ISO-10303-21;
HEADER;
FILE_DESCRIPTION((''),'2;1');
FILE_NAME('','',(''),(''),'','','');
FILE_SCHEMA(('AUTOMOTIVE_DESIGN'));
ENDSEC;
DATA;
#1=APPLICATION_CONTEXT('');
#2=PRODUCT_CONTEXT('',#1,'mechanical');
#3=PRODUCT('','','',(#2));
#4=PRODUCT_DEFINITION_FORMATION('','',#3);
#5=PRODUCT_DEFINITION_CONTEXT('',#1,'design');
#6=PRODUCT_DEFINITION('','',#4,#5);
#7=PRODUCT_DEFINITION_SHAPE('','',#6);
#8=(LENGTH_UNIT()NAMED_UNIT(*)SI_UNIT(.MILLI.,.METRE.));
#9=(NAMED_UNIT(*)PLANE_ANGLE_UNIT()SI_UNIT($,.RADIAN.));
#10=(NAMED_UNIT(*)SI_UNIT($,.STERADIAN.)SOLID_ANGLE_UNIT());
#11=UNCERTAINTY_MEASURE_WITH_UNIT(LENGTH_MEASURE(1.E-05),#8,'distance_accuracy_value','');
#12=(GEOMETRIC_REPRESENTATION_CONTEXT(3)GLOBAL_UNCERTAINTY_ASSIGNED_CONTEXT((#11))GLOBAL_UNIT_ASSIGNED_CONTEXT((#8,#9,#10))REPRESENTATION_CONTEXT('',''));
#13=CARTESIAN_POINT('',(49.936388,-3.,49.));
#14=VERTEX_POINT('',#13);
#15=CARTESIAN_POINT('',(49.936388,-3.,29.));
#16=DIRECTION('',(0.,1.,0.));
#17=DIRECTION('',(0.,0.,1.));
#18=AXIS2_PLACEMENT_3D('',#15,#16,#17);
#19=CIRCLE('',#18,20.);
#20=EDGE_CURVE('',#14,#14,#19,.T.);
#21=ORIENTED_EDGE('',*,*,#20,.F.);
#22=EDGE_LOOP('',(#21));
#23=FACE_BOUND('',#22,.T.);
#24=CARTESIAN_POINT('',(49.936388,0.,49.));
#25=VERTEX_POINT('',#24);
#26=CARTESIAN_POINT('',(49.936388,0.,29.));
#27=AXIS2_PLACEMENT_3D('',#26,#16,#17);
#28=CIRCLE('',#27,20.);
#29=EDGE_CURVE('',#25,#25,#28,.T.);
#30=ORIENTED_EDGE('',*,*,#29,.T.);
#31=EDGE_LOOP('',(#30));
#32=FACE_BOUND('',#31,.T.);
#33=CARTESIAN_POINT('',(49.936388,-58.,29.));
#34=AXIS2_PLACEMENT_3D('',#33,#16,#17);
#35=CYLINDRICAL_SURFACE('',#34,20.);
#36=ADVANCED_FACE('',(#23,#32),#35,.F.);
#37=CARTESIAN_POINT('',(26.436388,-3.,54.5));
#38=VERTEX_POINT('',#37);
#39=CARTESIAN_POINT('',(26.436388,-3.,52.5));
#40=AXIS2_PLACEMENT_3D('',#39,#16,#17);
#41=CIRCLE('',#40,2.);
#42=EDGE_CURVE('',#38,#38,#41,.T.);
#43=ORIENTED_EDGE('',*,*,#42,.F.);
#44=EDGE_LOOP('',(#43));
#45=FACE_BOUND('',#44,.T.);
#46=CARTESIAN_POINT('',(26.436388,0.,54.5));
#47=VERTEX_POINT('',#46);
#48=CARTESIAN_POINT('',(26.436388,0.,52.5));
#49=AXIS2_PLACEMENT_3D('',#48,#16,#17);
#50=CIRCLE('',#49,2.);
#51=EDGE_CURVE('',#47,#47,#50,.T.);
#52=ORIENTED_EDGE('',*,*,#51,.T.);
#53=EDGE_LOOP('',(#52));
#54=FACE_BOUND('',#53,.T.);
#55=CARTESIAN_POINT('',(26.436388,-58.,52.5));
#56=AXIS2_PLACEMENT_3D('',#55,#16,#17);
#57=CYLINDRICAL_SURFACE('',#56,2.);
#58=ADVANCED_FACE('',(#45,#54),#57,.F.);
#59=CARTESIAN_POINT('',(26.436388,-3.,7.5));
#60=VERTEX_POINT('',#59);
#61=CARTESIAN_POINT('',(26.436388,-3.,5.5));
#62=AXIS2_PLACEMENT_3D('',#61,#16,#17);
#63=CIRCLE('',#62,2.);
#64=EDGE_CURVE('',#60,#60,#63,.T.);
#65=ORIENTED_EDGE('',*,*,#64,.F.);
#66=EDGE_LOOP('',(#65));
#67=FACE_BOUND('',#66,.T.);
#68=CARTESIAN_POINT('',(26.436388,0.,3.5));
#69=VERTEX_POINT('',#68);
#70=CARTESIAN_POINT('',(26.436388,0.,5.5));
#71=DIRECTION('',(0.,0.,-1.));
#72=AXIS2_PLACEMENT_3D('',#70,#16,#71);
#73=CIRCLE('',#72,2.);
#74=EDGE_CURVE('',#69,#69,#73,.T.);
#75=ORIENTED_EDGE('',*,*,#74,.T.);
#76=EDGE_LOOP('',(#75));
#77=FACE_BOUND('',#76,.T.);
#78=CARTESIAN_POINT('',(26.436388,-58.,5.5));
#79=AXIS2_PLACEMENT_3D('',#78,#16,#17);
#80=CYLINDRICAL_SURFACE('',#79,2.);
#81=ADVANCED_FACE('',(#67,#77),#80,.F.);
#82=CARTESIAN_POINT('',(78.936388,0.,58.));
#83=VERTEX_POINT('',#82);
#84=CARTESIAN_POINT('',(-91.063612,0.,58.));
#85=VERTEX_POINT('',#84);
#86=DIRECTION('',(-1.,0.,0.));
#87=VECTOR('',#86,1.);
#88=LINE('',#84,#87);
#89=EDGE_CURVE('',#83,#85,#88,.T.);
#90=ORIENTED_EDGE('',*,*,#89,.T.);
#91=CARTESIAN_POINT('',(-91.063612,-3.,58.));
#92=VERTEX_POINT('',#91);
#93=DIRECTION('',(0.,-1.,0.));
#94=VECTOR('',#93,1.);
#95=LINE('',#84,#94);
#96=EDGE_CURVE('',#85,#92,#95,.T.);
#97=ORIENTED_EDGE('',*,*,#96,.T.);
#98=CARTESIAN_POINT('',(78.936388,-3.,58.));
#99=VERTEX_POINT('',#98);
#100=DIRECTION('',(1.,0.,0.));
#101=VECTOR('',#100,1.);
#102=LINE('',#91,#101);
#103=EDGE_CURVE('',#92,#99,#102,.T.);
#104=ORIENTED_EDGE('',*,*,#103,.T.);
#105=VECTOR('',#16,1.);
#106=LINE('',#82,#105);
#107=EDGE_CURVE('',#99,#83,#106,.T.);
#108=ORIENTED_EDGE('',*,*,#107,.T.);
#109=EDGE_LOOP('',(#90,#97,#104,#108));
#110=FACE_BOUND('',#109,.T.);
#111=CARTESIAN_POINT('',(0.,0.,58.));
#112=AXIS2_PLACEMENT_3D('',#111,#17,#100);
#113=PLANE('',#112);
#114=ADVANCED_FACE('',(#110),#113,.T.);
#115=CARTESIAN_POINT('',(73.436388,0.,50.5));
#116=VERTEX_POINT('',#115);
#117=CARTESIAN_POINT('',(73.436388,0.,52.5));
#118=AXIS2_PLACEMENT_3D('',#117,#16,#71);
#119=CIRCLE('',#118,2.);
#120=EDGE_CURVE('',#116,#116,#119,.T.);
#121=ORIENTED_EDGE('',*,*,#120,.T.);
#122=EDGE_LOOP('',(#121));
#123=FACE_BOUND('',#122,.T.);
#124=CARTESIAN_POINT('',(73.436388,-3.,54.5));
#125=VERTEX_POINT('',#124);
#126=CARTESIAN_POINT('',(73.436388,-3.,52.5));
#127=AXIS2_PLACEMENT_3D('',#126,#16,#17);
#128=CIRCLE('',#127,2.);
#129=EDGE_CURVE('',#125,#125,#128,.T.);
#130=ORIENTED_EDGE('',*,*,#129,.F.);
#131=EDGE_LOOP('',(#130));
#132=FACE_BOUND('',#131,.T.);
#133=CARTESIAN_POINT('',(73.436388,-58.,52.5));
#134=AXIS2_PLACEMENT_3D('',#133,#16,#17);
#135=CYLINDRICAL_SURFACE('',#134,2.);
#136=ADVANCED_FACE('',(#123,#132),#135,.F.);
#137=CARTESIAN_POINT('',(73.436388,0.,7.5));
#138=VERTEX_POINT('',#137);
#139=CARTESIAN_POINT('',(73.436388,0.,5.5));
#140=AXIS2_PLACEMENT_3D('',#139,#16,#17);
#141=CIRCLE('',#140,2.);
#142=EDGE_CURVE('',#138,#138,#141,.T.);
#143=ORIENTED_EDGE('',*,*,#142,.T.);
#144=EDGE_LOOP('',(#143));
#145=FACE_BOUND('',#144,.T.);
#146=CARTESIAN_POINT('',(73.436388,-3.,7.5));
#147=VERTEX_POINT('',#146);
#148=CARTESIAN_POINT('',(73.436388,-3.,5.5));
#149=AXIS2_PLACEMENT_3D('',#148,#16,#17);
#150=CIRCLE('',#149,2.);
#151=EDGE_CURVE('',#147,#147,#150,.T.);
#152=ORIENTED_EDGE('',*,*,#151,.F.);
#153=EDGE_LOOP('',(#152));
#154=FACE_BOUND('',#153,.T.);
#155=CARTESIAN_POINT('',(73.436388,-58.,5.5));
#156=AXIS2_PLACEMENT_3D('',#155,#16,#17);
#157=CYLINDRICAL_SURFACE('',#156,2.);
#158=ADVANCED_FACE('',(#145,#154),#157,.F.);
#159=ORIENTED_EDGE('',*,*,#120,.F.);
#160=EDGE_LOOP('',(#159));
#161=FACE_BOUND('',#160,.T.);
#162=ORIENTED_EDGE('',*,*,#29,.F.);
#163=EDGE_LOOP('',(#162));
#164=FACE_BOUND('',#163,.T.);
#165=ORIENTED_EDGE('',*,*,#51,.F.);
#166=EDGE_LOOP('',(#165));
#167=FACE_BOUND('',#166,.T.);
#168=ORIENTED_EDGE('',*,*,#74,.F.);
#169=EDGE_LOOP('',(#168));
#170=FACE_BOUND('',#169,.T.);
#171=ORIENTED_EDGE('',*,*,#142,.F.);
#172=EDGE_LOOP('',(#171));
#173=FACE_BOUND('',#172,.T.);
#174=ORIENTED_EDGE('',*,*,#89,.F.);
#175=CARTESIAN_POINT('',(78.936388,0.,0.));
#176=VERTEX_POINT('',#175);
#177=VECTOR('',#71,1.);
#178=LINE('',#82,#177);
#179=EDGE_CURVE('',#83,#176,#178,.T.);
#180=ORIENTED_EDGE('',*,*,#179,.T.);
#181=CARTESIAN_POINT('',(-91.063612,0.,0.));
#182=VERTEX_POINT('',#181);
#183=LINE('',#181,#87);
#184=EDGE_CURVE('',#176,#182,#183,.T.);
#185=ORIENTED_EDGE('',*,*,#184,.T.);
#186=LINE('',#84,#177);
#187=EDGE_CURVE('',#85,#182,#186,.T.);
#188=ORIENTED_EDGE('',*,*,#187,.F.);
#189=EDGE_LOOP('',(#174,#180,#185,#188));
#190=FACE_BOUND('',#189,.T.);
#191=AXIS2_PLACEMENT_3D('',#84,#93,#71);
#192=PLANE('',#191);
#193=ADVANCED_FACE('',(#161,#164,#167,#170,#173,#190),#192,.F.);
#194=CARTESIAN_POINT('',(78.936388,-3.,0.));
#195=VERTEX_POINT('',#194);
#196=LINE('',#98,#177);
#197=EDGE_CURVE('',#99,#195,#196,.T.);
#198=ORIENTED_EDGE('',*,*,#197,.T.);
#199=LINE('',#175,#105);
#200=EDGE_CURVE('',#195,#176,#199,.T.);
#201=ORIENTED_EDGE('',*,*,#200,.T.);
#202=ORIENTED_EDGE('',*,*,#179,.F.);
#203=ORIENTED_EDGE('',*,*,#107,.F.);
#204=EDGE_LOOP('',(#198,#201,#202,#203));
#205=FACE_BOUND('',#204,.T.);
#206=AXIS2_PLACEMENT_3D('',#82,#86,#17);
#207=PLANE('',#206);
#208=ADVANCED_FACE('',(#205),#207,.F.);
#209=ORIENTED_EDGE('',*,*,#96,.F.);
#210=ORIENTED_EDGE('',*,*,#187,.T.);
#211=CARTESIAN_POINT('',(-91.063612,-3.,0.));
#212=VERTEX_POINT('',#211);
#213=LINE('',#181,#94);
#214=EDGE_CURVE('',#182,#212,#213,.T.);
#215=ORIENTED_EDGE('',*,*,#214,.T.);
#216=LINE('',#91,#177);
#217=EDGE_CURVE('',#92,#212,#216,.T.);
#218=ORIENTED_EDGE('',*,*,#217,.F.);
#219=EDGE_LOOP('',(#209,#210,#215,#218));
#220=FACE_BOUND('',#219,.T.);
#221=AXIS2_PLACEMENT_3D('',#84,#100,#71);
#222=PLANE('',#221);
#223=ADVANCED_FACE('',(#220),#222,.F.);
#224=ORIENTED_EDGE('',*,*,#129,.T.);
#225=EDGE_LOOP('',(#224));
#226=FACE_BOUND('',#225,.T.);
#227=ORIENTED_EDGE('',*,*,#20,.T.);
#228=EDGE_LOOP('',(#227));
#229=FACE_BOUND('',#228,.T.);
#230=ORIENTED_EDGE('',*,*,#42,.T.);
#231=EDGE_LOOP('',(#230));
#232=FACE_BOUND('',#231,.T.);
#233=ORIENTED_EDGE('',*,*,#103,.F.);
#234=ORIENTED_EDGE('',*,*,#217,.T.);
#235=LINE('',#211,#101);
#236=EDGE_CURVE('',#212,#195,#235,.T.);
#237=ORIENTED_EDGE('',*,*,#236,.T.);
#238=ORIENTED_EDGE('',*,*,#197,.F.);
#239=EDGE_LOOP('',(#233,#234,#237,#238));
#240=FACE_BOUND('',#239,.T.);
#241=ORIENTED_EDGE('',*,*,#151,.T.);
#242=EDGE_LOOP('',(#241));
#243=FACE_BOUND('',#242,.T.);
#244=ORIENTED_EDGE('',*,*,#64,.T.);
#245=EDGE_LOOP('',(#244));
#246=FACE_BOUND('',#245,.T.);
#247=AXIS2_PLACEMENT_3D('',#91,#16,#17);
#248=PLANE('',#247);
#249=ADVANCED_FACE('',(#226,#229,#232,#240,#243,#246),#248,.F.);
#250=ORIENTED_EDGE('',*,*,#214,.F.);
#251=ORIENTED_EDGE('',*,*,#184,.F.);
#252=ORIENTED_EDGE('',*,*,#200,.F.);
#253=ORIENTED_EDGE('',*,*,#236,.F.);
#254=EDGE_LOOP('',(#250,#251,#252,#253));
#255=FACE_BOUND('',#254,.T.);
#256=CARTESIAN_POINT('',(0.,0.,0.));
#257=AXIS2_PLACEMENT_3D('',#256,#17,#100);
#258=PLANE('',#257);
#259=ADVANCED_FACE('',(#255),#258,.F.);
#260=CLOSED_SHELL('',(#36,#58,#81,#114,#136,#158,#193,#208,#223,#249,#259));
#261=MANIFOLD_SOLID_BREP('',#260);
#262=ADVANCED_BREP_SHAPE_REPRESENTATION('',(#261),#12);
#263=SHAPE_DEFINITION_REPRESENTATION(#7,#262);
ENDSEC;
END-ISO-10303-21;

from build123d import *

# Parameters (mm, degrees)
SKETCH1_W           = 170
SKETCH1_H           = 3
BOSS_EXTRUDE1_DEPTH = 58
SKETCH2_R           = 2
SKETCH2_R_2         = 20
CUT_EXTRUDE1_DEPTH  = 58


with BuildPart() as part:
    # Sketch1 → Boss-Extrude1 (new body)
    with BuildSketch(Plane.XY):
        with Locations((-6.063612364, -1.5)):
            Rectangle(SKETCH1_W, SKETCH1_H)
    extrude(amount=BOSS_EXTRUDE1_DEPTH)

    # Sketch2 → Cut-Extrude1 (cut)
    with BuildSketch(Plane(origin=(0, 0, 0), x_dir=(1, 0, 0), z_dir=(0, 1, 0))):
        with Locations((73.436387636, -5.5)):
            Circle(SKETCH2_R)
        with Locations((73.436387636, -52.5)):
            Circle(SKETCH2_R)
        with Locations((26.436387636, -52.5)):
            Circle(SKETCH2_R)
        with Locations((26.436387636, -5.5)):
            Circle(SKETCH2_R)
        with Locations((49.936387636, -29)):
            Circle(SKETCH2_R_2)
    extrude(amount=-CUT_EXTRUDE1_DEPTH, mode=Mode.SUBTRACT)


solid = part.part
